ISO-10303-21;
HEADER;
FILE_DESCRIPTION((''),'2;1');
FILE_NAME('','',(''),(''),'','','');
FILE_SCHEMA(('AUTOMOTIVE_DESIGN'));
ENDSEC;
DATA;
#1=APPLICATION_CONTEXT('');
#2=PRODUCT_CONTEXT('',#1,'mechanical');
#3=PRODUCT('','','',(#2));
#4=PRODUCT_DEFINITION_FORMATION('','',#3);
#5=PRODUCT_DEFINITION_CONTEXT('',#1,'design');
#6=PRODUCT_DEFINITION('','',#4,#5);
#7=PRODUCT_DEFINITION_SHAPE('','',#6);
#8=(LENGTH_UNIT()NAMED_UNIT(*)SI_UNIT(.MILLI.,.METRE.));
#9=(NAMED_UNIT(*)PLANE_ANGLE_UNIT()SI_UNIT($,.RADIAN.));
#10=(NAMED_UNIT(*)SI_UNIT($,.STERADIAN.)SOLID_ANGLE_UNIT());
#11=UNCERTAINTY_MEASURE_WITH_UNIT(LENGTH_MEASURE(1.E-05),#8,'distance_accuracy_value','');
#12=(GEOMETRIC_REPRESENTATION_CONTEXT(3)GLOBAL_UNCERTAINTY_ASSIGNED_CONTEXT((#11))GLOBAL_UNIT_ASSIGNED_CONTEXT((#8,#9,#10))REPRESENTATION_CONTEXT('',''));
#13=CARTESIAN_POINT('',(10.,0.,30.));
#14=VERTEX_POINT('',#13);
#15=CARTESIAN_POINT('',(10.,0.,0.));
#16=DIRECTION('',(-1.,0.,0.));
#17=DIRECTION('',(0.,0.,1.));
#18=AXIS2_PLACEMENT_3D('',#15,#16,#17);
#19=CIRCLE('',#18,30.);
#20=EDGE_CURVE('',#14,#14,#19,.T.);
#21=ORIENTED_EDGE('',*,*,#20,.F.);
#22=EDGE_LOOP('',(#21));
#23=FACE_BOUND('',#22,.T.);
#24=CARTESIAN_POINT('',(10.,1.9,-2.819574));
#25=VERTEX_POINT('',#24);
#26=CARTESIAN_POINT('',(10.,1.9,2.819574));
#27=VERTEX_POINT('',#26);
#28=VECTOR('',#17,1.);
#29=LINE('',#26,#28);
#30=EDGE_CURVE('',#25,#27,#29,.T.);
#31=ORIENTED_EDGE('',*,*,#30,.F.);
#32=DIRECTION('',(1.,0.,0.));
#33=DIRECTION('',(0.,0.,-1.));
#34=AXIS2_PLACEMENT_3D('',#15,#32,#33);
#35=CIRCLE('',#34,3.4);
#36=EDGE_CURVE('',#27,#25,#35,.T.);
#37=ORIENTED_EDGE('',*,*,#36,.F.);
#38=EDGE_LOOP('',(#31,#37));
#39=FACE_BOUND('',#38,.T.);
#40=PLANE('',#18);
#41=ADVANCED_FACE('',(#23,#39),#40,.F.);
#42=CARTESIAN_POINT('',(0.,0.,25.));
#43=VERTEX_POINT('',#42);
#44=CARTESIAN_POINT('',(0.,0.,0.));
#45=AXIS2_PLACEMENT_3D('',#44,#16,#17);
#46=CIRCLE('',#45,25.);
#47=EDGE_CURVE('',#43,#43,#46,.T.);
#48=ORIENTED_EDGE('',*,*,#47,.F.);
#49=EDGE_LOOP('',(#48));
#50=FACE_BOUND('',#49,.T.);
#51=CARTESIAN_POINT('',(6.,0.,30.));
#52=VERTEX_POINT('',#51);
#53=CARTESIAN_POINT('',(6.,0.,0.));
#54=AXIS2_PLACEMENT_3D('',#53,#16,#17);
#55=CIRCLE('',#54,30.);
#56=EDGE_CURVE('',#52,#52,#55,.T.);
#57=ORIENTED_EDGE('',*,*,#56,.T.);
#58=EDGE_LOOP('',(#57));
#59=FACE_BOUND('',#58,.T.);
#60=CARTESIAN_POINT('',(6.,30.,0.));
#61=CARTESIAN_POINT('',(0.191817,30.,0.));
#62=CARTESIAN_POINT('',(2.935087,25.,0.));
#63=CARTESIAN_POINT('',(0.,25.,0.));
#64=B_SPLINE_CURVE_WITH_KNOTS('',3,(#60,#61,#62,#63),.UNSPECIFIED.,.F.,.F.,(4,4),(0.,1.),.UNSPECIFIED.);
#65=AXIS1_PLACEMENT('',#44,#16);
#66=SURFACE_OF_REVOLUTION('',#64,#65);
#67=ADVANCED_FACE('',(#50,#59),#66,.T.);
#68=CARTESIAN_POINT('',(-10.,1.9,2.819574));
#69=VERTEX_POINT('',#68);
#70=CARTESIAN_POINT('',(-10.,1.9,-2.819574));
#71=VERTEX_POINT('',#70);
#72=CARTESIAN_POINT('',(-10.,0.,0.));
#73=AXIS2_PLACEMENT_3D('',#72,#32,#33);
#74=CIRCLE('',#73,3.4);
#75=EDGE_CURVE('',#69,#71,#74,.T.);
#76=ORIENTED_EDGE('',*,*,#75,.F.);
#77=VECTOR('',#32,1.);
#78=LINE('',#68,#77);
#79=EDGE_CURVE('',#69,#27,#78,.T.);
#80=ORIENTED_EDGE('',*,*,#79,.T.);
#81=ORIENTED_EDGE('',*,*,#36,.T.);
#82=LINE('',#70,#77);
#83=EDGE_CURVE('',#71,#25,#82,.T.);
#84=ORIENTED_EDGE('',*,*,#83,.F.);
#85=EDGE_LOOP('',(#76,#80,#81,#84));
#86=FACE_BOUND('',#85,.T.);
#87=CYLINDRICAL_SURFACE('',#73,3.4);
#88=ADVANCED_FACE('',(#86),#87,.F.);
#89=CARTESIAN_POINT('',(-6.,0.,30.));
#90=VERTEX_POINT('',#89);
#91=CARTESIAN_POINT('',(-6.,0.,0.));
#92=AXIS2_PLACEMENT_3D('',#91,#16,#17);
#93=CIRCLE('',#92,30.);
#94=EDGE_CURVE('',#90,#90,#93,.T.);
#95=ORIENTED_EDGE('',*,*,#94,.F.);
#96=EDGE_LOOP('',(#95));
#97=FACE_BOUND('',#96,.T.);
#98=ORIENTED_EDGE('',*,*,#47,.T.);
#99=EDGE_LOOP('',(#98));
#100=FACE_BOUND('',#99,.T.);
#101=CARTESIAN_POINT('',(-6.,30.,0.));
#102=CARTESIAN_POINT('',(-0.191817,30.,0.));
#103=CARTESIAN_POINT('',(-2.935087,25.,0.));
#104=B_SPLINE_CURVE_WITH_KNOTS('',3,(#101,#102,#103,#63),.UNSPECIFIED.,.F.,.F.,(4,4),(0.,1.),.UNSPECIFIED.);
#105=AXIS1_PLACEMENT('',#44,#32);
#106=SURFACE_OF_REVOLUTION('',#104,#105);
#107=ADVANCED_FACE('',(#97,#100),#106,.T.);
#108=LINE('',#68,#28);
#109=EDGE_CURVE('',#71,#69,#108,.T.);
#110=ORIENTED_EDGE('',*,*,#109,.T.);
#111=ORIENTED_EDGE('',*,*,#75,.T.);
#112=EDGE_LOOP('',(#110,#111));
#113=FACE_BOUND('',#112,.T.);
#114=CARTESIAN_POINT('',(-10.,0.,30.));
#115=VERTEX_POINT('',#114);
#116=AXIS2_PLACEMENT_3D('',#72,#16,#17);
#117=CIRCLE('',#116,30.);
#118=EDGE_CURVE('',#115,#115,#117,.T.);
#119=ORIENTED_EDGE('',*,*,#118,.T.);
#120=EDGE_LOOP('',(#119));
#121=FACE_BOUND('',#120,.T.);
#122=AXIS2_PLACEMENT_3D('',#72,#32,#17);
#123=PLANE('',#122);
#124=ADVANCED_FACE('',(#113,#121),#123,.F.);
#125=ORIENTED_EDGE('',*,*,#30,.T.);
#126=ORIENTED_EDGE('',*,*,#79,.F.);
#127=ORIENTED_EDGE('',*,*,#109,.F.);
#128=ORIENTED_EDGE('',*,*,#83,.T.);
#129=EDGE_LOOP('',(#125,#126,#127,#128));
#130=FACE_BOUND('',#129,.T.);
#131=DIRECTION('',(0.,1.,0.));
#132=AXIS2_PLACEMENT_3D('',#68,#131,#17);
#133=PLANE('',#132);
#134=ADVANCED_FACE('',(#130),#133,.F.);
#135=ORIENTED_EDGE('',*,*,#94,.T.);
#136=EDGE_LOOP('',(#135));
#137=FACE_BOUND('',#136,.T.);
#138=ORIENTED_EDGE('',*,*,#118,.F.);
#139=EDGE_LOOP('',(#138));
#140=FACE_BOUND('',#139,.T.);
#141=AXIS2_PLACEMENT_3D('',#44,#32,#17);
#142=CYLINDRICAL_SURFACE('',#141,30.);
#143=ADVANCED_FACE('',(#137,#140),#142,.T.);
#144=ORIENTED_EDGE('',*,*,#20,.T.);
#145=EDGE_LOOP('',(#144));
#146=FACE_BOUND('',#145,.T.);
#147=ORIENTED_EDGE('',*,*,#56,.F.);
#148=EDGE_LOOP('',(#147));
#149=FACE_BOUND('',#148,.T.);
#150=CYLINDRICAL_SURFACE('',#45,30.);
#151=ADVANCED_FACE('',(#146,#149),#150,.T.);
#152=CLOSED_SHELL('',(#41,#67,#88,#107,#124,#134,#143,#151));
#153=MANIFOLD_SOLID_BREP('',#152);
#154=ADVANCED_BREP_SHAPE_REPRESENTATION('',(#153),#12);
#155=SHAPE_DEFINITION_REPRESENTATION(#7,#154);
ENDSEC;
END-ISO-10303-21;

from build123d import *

# Parameters (mm, degrees)
CUT_EXTRUDE1_DEPTH = 47.904157726


with BuildPart() as part:
    # Sketch1 → Revolve1 (revolve)
    with BuildSketch(Plane.XY, mode=Mode.PRIVATE) as revolve1_sk:
        with BuildLine():
            Line((0, 25), (0, 0))
            Line((0, 0), (10, 0))
            Line((10, 0), (10, 30))
            Line((10, 30), (6, 30))
            add(Edge.make_bspline(
                [(0, 25), (2.935087376, 25), (0.191816931, 30), (6, 30)],
                knots=[0, 0, 0, 0, 1, 1, 1, 1], degree=3))
        make_face()
    revolve1 = revolve(revolve1_sk.sketch.rotate(Axis((0, 0, 0), (1, 0, 0)), 90), axis=Axis((0, 0, 0), (1, 0, 0)))

    # Mirror1: Revolve1 across plane
    add(revolve1.mirror(Plane(origin=(0, 25, 0), x_dir=(0, 0, 1), z_dir=(1, 0, 0))))

    # Sketch2 → Cut-Extrude1 (cut, through all)
    with BuildSketch(Plane(origin=(10, 0, 0), x_dir=(0, 0, -1), z_dir=(1, 0, 0))):
        with BuildLine():
            Line((-2.819574436, 1.9), (2.819574436, 1.9))
            ThreePointArc((2.819574436, 1.9), (0, -3.4), (-2.819574436, 1.9))
        make_face()
    extrude(amount=-CUT_EXTRUDE1_DEPTH, mode=Mode.SUBTRACT)


solid = part.part
